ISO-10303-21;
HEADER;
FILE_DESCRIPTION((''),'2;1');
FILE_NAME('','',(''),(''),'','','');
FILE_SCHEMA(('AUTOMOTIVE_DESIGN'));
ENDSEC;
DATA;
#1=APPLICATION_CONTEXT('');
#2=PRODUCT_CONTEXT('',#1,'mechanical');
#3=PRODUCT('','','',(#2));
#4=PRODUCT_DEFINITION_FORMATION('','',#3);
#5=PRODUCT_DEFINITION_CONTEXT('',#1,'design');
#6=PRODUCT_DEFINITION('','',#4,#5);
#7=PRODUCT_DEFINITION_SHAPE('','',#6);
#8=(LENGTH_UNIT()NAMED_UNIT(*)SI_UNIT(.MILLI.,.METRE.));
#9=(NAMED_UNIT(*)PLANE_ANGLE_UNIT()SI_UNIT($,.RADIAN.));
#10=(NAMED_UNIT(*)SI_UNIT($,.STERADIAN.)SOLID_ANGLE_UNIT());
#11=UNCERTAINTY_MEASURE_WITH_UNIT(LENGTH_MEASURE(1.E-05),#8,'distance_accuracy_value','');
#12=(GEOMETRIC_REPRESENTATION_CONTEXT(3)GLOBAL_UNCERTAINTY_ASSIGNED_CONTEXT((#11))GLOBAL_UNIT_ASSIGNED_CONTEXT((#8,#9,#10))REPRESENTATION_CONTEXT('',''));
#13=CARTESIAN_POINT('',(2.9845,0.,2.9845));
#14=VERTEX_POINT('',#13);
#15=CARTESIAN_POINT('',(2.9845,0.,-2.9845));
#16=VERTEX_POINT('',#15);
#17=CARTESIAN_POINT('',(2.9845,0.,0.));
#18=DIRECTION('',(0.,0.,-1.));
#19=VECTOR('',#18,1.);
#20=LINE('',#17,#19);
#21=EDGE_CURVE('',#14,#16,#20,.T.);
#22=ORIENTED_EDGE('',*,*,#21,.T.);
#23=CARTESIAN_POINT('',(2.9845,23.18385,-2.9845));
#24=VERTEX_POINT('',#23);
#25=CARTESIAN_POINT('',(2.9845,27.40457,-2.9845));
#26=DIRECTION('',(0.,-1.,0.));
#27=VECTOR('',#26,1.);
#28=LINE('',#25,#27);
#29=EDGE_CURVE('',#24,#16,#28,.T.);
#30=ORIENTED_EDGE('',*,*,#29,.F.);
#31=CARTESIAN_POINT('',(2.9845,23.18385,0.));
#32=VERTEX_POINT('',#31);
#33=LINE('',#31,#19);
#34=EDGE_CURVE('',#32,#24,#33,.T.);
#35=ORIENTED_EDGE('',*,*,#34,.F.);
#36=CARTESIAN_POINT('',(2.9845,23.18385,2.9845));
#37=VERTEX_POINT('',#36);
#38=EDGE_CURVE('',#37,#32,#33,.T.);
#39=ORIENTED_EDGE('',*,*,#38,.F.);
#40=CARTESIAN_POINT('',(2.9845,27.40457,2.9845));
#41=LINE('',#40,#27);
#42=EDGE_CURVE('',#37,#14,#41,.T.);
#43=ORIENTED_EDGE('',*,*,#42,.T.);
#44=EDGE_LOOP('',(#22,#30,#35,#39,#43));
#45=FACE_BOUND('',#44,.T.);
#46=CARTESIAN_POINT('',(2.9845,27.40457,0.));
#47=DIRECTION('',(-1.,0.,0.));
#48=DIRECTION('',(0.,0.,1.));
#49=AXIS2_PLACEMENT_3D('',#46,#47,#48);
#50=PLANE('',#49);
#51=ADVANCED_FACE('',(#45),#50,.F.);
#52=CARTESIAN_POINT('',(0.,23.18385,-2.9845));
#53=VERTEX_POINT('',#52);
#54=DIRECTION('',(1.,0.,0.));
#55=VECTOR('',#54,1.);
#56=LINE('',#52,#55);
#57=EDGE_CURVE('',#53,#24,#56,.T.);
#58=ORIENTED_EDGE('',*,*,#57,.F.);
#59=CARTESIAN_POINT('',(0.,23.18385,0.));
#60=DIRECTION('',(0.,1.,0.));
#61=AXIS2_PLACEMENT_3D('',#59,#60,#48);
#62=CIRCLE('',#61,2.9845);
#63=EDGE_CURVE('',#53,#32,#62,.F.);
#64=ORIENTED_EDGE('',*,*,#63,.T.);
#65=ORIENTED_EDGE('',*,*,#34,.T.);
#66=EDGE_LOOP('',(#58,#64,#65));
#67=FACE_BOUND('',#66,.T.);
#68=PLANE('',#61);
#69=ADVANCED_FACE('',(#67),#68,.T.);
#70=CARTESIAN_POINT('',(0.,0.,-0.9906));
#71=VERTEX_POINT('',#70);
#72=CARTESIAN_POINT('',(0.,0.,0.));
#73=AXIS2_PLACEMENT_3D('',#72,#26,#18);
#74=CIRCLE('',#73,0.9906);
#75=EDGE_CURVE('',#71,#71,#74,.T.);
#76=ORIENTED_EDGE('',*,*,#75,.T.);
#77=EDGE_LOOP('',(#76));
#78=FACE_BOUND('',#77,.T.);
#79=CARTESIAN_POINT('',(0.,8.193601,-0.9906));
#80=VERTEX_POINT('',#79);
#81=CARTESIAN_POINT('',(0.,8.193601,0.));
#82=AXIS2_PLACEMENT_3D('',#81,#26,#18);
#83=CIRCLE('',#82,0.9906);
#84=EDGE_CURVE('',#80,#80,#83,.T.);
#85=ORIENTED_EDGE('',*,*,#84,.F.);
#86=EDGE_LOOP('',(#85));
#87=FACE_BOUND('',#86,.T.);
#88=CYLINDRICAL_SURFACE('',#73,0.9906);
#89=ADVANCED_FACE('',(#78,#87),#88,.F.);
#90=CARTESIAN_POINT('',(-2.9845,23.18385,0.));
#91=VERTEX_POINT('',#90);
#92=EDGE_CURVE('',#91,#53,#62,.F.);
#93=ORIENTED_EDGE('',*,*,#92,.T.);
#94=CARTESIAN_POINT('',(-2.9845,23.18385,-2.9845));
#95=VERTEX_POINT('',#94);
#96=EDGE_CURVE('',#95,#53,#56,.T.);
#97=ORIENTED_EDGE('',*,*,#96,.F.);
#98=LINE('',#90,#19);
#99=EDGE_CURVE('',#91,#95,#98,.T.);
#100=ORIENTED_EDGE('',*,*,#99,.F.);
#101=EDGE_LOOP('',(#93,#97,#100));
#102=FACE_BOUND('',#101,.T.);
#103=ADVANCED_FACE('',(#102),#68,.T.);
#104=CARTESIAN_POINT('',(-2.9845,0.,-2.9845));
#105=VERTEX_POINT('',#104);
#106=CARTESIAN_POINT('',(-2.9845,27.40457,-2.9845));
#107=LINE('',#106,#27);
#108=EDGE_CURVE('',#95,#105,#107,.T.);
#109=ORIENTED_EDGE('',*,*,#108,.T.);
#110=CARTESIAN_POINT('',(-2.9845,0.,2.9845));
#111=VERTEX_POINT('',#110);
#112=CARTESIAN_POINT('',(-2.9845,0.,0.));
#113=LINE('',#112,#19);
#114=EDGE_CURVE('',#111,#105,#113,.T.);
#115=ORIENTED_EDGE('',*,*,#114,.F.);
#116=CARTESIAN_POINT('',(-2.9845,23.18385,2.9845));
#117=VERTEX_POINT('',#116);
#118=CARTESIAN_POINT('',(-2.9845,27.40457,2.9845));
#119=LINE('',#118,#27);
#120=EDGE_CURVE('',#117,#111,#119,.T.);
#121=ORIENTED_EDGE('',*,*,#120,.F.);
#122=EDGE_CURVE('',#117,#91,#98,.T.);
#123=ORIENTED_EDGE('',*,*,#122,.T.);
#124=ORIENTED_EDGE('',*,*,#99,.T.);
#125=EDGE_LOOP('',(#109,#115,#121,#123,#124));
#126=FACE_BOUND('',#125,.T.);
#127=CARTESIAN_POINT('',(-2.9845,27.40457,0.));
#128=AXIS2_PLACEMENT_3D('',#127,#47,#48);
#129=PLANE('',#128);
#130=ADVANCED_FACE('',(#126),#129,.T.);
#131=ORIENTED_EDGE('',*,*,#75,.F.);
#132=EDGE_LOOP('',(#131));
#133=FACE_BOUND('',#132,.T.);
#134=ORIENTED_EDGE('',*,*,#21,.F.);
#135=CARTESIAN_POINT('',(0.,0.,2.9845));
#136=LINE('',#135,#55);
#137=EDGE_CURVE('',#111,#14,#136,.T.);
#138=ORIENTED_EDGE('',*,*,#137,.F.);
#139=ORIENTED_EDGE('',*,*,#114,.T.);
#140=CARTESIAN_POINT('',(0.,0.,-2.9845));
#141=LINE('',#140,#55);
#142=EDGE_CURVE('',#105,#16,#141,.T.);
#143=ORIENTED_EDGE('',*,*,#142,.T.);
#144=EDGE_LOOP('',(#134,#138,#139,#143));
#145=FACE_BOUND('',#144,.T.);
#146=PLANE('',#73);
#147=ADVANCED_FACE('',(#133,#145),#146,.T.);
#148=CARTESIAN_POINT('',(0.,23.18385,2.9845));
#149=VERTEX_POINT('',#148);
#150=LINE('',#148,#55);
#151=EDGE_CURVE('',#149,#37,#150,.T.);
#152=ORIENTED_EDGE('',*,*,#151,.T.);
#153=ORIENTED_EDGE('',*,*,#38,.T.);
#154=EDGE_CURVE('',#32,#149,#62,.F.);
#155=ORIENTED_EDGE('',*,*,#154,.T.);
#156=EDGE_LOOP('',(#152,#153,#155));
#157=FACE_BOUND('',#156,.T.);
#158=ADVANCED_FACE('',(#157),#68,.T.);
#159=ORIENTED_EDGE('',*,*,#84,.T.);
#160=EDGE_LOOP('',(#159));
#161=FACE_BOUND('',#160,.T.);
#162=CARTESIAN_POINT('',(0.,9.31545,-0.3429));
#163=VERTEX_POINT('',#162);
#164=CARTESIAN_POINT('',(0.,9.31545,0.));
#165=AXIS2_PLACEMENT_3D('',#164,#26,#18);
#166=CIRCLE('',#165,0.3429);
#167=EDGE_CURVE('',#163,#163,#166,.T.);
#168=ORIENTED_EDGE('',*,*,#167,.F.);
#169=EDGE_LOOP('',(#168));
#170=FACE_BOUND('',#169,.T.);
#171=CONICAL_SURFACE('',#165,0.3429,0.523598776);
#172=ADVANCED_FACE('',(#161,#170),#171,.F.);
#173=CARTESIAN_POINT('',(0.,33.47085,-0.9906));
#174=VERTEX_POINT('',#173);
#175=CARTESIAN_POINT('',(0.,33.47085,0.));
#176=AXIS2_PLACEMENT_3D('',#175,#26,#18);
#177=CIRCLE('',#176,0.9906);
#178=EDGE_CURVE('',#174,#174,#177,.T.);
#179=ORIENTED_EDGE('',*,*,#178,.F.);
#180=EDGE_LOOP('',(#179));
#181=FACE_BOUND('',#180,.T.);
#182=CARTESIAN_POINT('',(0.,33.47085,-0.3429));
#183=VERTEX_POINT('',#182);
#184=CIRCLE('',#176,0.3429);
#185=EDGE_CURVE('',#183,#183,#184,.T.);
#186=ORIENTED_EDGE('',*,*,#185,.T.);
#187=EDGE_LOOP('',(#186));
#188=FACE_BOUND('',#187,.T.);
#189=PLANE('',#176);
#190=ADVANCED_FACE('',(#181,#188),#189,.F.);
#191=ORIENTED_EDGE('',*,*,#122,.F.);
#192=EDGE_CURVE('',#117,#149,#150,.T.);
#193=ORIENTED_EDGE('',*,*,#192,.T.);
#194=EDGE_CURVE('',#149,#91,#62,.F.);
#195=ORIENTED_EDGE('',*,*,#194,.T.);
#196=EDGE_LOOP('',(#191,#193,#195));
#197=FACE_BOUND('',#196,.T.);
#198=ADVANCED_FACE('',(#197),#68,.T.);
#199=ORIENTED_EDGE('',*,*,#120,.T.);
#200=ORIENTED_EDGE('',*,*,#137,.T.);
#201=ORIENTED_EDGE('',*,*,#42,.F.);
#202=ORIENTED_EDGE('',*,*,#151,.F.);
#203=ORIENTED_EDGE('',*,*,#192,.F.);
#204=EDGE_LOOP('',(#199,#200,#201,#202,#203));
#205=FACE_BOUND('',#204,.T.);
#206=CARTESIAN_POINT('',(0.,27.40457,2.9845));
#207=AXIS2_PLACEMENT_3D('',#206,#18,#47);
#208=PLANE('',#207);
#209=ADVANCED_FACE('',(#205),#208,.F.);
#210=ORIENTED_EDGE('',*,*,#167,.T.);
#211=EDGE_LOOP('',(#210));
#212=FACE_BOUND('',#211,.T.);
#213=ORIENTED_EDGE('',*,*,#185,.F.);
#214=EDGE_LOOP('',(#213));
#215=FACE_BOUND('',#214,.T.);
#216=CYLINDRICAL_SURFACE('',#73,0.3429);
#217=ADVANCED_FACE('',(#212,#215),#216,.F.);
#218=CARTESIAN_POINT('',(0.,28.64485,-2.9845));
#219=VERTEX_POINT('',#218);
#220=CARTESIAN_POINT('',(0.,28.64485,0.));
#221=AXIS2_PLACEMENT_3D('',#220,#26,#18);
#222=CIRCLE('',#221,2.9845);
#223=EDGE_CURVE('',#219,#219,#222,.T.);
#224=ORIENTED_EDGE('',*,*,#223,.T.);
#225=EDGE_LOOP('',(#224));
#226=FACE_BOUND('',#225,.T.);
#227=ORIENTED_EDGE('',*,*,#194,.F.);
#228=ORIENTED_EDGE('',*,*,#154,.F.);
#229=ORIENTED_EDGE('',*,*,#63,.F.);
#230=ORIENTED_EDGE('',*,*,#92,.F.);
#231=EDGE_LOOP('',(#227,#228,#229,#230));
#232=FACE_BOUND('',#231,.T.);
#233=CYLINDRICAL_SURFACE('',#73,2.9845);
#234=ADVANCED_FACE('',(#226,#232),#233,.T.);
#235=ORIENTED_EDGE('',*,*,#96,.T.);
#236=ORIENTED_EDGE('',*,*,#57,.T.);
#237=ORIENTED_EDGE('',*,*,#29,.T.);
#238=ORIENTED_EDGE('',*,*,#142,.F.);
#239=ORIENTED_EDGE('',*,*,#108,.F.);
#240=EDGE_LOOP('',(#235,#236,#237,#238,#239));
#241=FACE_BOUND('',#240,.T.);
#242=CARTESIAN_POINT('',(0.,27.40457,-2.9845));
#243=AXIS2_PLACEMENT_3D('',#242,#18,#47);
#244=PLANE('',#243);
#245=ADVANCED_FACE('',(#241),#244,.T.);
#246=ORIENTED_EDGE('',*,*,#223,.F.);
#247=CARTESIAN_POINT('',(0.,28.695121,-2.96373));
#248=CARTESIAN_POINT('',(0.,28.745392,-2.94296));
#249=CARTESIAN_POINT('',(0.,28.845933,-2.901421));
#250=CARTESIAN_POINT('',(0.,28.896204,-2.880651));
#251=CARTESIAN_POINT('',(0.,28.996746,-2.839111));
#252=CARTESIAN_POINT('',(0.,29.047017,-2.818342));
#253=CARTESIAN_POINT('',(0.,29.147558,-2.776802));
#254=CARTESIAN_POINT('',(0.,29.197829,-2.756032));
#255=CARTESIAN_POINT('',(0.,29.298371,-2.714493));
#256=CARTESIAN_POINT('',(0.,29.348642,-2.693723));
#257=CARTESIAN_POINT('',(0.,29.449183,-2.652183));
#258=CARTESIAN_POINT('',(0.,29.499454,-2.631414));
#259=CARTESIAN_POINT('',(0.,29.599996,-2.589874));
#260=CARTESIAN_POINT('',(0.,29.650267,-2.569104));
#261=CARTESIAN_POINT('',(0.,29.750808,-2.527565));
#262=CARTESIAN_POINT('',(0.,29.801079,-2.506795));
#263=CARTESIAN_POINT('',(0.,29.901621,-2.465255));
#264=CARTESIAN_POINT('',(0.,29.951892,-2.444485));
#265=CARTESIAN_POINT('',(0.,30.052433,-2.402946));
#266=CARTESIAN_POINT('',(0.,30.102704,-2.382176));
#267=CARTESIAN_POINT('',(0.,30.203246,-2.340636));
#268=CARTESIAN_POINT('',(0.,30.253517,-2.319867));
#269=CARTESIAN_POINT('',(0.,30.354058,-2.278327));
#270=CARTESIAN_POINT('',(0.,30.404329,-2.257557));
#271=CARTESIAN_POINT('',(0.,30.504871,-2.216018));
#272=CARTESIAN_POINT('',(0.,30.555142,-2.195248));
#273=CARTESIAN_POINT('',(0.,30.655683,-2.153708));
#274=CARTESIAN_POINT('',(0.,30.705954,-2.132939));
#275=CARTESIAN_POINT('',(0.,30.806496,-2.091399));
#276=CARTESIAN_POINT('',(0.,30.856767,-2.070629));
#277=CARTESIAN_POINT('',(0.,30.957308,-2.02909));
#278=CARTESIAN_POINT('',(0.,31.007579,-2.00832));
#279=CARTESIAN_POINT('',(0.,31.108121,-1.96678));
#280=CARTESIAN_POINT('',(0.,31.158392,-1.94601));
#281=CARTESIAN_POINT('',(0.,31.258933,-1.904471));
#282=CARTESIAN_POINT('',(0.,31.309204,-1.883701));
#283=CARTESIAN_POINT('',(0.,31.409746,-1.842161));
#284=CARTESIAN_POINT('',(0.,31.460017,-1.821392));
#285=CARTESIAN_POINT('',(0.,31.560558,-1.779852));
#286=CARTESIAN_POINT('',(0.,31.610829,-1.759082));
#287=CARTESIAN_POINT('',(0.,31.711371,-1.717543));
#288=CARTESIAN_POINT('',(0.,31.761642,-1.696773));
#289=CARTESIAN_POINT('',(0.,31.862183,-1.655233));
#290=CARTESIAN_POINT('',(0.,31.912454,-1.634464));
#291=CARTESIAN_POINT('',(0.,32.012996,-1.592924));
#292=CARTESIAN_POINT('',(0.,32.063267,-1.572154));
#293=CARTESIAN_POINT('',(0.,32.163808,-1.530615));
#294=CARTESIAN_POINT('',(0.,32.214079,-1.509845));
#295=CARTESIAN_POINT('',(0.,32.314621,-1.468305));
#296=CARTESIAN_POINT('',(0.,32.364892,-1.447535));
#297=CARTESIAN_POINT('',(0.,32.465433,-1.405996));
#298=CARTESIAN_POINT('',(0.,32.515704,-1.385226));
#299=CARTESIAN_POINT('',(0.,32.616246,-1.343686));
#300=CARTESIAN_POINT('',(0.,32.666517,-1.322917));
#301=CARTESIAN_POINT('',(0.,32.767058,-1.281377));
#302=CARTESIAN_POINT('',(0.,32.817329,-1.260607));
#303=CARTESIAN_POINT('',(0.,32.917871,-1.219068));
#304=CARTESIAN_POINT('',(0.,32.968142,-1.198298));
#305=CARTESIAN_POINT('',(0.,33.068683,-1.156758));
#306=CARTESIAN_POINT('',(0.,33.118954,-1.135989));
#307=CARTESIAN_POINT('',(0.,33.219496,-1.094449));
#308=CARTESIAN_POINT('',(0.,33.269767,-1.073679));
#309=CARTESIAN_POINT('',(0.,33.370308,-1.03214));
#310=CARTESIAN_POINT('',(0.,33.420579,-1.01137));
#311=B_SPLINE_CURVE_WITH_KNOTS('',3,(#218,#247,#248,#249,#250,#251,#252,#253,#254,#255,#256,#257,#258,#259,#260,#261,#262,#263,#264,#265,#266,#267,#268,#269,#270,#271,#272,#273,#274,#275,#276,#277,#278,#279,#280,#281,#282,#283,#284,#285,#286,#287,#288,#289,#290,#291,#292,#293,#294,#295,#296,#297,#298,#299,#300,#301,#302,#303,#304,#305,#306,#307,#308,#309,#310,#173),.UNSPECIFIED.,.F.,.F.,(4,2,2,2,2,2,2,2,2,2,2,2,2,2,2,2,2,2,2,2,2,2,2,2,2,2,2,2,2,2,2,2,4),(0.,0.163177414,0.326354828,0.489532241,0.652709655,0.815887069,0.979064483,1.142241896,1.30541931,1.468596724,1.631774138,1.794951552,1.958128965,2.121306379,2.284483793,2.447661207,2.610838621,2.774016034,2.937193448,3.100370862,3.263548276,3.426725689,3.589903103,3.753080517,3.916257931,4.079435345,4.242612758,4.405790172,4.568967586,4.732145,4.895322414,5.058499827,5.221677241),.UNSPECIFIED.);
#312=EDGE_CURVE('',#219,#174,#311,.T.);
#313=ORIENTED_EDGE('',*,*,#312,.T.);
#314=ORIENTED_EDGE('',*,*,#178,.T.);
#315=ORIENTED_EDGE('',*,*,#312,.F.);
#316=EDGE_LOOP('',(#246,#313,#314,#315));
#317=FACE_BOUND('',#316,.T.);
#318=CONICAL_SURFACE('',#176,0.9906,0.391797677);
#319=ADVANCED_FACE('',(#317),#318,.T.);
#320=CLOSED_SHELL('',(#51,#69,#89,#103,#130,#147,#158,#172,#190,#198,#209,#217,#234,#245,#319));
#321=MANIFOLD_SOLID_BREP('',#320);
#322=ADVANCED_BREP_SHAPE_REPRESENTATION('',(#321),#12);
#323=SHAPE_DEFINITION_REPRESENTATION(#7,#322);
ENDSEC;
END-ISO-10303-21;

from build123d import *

# Parameters (mm, degrees)
BOSS_EXTRUDE2_START = -23.18385
BOSS_EXTRUDE2_DEPTH = 23.18385


with BuildPart() as part:
    # Sketch1 → Revolve1 (revolve)
    with BuildSketch(Plane.XY, mode=Mode.PRIVATE) as revolve1_sk:
        Polygon((-0.9906, 0), (-2.9845, 0), (-2.9845, 28.64485), (-0.9906, 33.47085), (-0.3429, 33.47085), (-0.3429, 9.31545), (-0.9906, 8.193600692), align=None)
    revolve(revolve1_sk.sketch.rotate(Axis((0, 0, 0), (0, 1, 0)), 270), axis=Axis((0, 0, 0), (0, 1, 0)))

    # Sketch2 → Boss-Extrude2 (add)
    with BuildSketch(Plane.XZ.offset(BOSS_EXTRUDE2_START)):
        with BuildLine():
            Line((2.9845, 2.9845), (-1e-09, 2.9845))
            ThreePointArc((-1e-09, 2.9845), (2.110360188, 2.110360189), (2.9845, 0))
            Line((2.9845, 0), (2.9845, 2.9845))
        make_face()
        with BuildLine():
            Line((-1e-09, 2.9845), (-2.9845, 2.9845))
            Line((-2.9845, 2.9845), (-2.9845, 5e-09))
            ThreePointArc((-2.9845, 5e-09), (-2.110360187, 2.11036019), (-1e-09, 2.9845))
        make_face()
        with BuildLine():
            Line((2.9845, -2.9845), (2.9845, 0))
            ThreePointArc((2.9845, 0), (2.110360188, -2.110360189), (-2e-09, -2.9845))
            Line((-2e-09, -2.9845), (2.9845, -2.9845))
        make_face()
        with BuildLine():
            ThreePointArc((-2e-09, -2.9845), (-2.110360191, -2.110360186), (-2.9845, 5e-09))
            Line((-2.9845, 5e-09), (-2.9845, -2.9845))
            Line((-2.9845, -2.9845), (-2e-09, -2.9845))
        make_face()
    extrude(amount=BOSS_EXTRUDE2_DEPTH)


solid = part.part
